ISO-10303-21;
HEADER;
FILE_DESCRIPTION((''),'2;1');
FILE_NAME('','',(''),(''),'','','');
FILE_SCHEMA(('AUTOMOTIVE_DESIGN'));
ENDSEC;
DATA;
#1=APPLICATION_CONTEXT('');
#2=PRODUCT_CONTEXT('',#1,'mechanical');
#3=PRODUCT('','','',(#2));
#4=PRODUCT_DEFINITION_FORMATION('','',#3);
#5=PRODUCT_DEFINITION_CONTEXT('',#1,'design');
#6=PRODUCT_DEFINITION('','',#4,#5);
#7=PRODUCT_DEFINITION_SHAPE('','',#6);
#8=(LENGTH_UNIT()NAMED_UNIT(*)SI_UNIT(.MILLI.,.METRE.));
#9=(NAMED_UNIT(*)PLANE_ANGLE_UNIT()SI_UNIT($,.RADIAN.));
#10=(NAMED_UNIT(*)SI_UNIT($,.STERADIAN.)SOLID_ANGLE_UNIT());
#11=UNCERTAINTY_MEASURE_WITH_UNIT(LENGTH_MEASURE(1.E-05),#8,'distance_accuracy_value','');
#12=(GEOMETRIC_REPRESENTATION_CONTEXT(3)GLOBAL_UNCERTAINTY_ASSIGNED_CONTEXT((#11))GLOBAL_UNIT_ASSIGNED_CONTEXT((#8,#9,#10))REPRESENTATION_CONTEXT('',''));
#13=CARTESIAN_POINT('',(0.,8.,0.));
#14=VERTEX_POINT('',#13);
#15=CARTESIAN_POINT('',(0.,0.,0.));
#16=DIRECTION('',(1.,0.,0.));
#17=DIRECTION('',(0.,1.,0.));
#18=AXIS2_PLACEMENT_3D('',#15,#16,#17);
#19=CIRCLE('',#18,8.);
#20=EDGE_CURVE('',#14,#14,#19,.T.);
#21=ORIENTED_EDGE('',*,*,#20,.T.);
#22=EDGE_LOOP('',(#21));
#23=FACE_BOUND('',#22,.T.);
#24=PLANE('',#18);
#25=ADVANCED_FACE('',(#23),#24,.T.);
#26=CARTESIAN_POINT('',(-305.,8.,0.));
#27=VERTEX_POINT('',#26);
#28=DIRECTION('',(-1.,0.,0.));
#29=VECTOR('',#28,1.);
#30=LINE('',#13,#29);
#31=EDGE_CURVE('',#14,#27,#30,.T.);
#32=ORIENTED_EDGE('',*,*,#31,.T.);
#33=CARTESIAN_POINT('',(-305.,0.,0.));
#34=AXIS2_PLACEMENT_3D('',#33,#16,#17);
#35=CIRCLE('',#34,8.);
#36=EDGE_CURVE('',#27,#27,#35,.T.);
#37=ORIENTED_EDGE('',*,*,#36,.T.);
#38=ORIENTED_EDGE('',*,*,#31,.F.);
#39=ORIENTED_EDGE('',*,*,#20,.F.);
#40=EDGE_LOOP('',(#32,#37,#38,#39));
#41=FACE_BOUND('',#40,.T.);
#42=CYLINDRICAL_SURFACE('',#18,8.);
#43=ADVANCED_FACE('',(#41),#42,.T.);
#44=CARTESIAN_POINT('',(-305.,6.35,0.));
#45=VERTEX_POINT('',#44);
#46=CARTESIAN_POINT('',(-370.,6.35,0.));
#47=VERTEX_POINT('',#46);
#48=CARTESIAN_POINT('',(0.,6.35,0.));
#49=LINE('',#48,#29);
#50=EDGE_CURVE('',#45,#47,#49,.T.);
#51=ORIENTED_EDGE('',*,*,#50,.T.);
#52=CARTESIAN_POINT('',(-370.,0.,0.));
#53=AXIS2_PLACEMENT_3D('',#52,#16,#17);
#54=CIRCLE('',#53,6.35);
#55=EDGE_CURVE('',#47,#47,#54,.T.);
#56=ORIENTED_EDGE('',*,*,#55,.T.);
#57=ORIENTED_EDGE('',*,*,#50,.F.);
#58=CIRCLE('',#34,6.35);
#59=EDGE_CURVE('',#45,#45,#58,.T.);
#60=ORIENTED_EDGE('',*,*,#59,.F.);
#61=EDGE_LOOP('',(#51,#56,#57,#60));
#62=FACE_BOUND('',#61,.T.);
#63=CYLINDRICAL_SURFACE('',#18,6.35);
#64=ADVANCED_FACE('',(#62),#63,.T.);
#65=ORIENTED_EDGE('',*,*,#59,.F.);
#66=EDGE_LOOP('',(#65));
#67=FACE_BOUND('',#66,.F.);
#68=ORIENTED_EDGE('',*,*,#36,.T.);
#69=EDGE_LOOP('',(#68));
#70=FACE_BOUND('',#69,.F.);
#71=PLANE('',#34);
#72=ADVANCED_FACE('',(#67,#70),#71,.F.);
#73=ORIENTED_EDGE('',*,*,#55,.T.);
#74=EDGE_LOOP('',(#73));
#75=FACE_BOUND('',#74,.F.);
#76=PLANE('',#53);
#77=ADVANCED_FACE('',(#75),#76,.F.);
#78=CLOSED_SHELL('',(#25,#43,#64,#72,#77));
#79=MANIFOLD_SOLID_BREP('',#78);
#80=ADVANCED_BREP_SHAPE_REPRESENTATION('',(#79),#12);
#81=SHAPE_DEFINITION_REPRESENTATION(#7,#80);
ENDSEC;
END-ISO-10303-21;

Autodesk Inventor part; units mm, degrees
ref_plane "YZ Plane" through (0, 0, 0) normal (1, 0, 0) x (0, 1, 0)
ref_plane "XZ Plane" through (0, 0, 0) normal (0, 1, 0) x (-1, 0, 0)
ref_plane "XY Plane" through (0, 0, 0) normal (0, 0, 1) x (1, 0, 0)
sketch "Sketch1" plane through (0, 0, 0) normal (1, 0, 0) x (0, 1, 0)
  circle A0 centre (0, 0) radius 6.35
  circle A1 centre (0, 0) radius 8
  dimension "d0" = 12.7
  dimension "d1" = 16
extrude "Extrusion1" add sketch "Sketch1" against normal blind 370 contours A0
extrude "Extrusion2" add sketch "Sketch1" against normal blind 305
thread "Thread1" size "M16x2" class "6g" standard "ANSI Metric M Profile" full length
properties part number "driveshaft2"
